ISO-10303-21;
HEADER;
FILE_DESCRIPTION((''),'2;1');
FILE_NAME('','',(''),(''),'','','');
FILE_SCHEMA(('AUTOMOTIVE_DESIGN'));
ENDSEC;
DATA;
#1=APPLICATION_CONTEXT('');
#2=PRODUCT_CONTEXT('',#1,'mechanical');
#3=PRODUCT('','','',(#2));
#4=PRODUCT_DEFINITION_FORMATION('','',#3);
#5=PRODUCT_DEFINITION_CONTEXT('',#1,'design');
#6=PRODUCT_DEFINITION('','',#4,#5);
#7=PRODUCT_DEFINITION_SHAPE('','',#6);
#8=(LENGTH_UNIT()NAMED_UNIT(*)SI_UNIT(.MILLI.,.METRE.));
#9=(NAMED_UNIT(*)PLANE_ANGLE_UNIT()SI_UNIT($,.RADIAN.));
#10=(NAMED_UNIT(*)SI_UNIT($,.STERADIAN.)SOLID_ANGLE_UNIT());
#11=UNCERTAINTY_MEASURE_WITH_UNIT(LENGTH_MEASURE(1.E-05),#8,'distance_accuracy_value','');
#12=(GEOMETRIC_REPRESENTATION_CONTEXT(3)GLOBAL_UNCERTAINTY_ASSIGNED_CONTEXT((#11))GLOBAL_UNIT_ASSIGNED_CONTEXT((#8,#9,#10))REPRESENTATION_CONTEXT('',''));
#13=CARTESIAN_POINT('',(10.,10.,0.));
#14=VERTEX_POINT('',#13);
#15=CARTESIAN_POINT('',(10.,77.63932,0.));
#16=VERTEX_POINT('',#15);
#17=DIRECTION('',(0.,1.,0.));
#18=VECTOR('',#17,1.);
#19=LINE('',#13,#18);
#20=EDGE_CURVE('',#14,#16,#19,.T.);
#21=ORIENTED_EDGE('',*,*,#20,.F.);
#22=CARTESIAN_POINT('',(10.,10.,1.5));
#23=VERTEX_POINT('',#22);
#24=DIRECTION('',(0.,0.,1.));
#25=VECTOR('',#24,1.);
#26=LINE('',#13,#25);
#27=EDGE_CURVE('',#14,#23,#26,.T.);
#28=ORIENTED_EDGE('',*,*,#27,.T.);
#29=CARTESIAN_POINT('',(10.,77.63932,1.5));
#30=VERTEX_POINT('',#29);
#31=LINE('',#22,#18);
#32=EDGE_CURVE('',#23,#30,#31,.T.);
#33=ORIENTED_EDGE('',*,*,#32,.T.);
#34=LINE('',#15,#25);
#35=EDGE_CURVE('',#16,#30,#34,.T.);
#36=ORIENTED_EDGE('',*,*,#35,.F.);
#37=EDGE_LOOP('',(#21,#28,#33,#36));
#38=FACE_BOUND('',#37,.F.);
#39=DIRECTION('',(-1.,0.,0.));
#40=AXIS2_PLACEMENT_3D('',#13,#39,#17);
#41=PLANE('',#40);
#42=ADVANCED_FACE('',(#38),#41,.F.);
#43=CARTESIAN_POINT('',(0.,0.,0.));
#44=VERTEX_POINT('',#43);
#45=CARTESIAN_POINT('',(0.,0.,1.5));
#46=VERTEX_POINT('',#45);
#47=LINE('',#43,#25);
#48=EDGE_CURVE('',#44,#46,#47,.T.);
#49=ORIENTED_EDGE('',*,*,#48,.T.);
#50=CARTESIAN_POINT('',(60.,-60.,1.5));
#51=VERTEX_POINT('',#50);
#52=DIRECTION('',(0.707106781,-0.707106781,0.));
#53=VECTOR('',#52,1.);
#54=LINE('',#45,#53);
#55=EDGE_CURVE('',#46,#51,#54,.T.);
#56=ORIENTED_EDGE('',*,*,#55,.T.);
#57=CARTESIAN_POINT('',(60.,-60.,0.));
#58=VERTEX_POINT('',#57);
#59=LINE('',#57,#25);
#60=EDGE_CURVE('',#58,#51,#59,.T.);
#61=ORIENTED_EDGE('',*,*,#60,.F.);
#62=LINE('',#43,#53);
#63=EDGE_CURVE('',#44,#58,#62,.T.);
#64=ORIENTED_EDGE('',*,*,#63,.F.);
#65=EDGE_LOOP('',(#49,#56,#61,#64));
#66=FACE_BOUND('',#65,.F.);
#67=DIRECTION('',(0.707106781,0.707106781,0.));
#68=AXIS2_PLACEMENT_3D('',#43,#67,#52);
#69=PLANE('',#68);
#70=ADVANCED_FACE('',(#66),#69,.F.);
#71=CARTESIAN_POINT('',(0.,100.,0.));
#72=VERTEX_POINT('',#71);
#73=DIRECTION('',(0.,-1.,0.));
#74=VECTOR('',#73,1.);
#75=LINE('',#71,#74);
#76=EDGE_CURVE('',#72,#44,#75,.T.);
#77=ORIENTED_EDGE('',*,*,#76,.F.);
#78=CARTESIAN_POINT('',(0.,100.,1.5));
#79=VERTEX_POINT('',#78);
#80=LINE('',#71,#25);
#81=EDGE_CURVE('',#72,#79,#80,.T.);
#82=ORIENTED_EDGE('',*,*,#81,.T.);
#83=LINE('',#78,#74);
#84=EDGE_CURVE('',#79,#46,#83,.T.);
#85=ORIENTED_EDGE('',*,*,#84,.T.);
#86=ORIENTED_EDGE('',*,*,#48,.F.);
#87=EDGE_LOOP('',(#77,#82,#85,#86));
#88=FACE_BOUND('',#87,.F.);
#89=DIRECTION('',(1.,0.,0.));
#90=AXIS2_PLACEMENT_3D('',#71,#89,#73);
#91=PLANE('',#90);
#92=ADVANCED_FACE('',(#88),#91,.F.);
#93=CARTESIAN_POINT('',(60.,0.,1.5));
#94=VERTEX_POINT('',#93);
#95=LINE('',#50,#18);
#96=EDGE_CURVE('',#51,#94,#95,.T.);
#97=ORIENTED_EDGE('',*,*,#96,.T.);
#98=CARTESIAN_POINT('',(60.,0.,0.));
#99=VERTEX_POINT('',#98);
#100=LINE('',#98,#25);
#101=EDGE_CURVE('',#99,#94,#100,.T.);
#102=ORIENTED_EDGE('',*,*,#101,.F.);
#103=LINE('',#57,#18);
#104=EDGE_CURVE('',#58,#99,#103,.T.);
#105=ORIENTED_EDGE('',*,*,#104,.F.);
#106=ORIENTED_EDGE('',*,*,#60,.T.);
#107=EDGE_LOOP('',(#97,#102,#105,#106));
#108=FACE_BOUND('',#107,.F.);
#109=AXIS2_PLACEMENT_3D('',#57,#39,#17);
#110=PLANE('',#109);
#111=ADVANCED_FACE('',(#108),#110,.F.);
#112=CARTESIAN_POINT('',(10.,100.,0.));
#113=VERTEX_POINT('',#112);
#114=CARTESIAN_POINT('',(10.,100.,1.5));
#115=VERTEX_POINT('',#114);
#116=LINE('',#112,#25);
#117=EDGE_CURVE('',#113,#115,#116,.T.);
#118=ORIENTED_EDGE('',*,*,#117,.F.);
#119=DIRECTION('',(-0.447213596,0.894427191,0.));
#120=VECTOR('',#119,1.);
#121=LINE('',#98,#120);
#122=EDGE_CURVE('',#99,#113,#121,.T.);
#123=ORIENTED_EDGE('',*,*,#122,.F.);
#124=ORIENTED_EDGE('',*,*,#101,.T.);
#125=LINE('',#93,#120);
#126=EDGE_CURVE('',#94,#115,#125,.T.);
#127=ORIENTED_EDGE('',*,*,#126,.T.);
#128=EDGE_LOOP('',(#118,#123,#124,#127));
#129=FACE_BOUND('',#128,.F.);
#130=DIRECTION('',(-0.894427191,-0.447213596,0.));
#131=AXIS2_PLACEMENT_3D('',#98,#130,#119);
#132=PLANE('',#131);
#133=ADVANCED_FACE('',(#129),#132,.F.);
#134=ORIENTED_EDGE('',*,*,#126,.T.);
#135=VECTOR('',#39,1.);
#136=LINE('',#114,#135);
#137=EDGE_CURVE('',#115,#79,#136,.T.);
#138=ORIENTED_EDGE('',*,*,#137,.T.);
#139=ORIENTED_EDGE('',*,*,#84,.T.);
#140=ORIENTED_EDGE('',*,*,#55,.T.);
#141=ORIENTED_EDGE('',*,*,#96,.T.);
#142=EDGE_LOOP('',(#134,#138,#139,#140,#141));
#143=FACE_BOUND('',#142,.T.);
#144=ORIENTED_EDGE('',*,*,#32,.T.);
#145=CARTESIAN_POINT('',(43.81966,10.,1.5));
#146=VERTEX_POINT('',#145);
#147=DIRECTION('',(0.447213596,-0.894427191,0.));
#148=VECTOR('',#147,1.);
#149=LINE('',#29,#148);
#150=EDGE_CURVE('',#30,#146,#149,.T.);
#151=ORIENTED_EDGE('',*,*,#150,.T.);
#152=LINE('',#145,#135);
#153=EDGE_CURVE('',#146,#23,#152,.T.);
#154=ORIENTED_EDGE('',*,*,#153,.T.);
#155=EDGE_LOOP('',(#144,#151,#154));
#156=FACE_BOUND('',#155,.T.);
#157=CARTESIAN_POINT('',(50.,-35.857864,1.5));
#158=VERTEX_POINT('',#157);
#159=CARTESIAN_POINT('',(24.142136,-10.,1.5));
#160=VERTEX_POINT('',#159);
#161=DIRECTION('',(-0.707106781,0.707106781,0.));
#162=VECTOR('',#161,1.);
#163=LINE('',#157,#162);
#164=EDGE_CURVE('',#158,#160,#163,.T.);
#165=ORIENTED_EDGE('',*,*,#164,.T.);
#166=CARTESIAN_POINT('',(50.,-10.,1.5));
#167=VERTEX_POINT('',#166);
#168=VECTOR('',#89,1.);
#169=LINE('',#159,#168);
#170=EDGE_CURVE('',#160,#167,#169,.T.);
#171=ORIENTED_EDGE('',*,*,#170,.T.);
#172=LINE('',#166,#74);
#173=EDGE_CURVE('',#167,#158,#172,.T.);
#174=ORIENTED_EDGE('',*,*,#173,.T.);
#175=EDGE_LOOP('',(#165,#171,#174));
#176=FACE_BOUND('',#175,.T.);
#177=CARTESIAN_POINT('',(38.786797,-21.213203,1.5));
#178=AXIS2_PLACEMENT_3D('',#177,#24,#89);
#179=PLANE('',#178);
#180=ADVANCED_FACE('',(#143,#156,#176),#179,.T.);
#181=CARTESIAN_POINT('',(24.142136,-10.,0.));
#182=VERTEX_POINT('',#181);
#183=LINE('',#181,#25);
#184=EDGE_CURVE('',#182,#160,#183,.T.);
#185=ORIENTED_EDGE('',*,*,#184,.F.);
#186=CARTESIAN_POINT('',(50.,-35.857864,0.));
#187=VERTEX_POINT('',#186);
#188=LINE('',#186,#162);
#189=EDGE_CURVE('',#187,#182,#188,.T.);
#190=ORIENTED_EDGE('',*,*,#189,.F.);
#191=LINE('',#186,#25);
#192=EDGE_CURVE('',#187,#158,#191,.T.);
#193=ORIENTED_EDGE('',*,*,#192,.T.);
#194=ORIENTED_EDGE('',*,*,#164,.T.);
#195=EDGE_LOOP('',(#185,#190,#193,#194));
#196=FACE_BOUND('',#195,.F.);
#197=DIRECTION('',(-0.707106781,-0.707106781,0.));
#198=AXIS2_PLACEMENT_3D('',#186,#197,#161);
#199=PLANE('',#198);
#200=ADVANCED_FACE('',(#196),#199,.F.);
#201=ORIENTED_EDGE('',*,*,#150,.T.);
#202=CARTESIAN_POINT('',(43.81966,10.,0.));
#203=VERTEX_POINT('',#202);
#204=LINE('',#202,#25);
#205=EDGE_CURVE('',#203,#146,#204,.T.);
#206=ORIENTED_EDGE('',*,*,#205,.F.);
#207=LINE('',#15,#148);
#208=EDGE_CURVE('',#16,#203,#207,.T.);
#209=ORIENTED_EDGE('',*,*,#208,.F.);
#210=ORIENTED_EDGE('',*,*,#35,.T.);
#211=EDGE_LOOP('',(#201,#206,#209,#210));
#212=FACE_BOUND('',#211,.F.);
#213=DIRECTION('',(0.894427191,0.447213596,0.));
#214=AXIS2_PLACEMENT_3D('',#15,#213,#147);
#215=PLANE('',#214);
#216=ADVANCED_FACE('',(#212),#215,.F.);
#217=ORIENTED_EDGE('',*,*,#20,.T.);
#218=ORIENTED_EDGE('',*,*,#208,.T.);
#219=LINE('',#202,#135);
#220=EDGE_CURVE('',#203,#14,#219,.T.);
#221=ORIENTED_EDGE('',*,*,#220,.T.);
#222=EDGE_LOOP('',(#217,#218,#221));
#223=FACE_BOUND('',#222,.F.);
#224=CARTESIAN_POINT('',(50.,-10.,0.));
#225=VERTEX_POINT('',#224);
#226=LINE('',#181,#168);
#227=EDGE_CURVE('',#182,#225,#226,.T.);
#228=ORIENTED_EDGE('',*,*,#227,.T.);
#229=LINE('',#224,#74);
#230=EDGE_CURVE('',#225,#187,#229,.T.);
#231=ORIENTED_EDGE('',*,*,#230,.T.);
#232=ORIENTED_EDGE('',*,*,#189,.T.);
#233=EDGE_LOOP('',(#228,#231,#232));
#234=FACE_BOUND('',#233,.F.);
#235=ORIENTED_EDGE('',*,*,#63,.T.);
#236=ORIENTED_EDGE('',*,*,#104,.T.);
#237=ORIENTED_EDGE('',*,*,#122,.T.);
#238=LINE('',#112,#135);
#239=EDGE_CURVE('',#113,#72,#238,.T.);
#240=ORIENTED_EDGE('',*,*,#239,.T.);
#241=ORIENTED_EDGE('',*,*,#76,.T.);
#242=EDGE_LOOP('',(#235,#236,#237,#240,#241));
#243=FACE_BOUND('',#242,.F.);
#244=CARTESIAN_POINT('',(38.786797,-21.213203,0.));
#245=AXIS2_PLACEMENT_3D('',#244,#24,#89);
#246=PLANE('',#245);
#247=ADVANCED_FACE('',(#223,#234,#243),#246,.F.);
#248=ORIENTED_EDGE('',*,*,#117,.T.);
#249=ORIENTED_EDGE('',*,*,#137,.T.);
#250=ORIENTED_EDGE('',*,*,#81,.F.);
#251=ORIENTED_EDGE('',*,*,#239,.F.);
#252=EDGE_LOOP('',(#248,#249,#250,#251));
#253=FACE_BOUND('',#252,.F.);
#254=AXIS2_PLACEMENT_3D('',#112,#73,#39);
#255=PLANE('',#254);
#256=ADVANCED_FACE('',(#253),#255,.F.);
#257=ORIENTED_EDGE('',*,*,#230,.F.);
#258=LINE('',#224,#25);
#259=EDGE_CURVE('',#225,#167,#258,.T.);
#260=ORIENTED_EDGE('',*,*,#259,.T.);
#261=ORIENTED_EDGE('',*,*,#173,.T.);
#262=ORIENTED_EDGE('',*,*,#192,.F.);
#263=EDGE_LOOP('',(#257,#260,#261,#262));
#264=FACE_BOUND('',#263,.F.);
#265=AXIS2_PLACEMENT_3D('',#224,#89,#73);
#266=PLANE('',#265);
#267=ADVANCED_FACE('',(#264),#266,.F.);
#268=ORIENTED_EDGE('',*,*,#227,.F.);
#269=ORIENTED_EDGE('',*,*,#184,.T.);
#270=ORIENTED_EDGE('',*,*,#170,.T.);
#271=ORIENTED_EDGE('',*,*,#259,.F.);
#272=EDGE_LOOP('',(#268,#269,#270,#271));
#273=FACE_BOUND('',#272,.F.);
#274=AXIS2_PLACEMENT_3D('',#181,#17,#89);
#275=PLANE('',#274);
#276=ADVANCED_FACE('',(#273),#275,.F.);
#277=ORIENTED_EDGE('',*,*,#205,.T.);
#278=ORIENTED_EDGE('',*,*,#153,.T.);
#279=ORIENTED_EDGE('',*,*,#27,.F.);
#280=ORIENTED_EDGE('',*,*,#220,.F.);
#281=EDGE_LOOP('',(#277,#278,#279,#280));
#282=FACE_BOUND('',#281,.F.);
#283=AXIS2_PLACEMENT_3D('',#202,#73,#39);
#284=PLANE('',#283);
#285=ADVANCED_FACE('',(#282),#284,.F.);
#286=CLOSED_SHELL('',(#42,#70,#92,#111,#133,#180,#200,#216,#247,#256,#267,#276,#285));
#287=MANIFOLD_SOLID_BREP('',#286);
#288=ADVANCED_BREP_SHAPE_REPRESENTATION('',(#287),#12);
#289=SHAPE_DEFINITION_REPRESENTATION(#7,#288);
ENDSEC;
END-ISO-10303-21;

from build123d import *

# Parameters (mm, degrees)
F1_DEPTH = 1.5


with BuildPart() as f1:
    # F0 (on Top) → F1 (new body)
    with BuildSketch(Plane.XY):
        Polygon((60, 0), (0, 0), (60, -60), align=None)
        Polygon((50, -10), (50, -35.857864), (24.142136, -10), align=None, mode=Mode.SUBTRACT)
        Polygon((0, 100), (0, 0), (60, 0), (10, 100), align=None)
        Polygon((43.81966, 10), (10, 10), (10, 77.63932), align=None, mode=Mode.SUBTRACT)
    extrude(amount=F1_DEPTH)


solid = f1.part
